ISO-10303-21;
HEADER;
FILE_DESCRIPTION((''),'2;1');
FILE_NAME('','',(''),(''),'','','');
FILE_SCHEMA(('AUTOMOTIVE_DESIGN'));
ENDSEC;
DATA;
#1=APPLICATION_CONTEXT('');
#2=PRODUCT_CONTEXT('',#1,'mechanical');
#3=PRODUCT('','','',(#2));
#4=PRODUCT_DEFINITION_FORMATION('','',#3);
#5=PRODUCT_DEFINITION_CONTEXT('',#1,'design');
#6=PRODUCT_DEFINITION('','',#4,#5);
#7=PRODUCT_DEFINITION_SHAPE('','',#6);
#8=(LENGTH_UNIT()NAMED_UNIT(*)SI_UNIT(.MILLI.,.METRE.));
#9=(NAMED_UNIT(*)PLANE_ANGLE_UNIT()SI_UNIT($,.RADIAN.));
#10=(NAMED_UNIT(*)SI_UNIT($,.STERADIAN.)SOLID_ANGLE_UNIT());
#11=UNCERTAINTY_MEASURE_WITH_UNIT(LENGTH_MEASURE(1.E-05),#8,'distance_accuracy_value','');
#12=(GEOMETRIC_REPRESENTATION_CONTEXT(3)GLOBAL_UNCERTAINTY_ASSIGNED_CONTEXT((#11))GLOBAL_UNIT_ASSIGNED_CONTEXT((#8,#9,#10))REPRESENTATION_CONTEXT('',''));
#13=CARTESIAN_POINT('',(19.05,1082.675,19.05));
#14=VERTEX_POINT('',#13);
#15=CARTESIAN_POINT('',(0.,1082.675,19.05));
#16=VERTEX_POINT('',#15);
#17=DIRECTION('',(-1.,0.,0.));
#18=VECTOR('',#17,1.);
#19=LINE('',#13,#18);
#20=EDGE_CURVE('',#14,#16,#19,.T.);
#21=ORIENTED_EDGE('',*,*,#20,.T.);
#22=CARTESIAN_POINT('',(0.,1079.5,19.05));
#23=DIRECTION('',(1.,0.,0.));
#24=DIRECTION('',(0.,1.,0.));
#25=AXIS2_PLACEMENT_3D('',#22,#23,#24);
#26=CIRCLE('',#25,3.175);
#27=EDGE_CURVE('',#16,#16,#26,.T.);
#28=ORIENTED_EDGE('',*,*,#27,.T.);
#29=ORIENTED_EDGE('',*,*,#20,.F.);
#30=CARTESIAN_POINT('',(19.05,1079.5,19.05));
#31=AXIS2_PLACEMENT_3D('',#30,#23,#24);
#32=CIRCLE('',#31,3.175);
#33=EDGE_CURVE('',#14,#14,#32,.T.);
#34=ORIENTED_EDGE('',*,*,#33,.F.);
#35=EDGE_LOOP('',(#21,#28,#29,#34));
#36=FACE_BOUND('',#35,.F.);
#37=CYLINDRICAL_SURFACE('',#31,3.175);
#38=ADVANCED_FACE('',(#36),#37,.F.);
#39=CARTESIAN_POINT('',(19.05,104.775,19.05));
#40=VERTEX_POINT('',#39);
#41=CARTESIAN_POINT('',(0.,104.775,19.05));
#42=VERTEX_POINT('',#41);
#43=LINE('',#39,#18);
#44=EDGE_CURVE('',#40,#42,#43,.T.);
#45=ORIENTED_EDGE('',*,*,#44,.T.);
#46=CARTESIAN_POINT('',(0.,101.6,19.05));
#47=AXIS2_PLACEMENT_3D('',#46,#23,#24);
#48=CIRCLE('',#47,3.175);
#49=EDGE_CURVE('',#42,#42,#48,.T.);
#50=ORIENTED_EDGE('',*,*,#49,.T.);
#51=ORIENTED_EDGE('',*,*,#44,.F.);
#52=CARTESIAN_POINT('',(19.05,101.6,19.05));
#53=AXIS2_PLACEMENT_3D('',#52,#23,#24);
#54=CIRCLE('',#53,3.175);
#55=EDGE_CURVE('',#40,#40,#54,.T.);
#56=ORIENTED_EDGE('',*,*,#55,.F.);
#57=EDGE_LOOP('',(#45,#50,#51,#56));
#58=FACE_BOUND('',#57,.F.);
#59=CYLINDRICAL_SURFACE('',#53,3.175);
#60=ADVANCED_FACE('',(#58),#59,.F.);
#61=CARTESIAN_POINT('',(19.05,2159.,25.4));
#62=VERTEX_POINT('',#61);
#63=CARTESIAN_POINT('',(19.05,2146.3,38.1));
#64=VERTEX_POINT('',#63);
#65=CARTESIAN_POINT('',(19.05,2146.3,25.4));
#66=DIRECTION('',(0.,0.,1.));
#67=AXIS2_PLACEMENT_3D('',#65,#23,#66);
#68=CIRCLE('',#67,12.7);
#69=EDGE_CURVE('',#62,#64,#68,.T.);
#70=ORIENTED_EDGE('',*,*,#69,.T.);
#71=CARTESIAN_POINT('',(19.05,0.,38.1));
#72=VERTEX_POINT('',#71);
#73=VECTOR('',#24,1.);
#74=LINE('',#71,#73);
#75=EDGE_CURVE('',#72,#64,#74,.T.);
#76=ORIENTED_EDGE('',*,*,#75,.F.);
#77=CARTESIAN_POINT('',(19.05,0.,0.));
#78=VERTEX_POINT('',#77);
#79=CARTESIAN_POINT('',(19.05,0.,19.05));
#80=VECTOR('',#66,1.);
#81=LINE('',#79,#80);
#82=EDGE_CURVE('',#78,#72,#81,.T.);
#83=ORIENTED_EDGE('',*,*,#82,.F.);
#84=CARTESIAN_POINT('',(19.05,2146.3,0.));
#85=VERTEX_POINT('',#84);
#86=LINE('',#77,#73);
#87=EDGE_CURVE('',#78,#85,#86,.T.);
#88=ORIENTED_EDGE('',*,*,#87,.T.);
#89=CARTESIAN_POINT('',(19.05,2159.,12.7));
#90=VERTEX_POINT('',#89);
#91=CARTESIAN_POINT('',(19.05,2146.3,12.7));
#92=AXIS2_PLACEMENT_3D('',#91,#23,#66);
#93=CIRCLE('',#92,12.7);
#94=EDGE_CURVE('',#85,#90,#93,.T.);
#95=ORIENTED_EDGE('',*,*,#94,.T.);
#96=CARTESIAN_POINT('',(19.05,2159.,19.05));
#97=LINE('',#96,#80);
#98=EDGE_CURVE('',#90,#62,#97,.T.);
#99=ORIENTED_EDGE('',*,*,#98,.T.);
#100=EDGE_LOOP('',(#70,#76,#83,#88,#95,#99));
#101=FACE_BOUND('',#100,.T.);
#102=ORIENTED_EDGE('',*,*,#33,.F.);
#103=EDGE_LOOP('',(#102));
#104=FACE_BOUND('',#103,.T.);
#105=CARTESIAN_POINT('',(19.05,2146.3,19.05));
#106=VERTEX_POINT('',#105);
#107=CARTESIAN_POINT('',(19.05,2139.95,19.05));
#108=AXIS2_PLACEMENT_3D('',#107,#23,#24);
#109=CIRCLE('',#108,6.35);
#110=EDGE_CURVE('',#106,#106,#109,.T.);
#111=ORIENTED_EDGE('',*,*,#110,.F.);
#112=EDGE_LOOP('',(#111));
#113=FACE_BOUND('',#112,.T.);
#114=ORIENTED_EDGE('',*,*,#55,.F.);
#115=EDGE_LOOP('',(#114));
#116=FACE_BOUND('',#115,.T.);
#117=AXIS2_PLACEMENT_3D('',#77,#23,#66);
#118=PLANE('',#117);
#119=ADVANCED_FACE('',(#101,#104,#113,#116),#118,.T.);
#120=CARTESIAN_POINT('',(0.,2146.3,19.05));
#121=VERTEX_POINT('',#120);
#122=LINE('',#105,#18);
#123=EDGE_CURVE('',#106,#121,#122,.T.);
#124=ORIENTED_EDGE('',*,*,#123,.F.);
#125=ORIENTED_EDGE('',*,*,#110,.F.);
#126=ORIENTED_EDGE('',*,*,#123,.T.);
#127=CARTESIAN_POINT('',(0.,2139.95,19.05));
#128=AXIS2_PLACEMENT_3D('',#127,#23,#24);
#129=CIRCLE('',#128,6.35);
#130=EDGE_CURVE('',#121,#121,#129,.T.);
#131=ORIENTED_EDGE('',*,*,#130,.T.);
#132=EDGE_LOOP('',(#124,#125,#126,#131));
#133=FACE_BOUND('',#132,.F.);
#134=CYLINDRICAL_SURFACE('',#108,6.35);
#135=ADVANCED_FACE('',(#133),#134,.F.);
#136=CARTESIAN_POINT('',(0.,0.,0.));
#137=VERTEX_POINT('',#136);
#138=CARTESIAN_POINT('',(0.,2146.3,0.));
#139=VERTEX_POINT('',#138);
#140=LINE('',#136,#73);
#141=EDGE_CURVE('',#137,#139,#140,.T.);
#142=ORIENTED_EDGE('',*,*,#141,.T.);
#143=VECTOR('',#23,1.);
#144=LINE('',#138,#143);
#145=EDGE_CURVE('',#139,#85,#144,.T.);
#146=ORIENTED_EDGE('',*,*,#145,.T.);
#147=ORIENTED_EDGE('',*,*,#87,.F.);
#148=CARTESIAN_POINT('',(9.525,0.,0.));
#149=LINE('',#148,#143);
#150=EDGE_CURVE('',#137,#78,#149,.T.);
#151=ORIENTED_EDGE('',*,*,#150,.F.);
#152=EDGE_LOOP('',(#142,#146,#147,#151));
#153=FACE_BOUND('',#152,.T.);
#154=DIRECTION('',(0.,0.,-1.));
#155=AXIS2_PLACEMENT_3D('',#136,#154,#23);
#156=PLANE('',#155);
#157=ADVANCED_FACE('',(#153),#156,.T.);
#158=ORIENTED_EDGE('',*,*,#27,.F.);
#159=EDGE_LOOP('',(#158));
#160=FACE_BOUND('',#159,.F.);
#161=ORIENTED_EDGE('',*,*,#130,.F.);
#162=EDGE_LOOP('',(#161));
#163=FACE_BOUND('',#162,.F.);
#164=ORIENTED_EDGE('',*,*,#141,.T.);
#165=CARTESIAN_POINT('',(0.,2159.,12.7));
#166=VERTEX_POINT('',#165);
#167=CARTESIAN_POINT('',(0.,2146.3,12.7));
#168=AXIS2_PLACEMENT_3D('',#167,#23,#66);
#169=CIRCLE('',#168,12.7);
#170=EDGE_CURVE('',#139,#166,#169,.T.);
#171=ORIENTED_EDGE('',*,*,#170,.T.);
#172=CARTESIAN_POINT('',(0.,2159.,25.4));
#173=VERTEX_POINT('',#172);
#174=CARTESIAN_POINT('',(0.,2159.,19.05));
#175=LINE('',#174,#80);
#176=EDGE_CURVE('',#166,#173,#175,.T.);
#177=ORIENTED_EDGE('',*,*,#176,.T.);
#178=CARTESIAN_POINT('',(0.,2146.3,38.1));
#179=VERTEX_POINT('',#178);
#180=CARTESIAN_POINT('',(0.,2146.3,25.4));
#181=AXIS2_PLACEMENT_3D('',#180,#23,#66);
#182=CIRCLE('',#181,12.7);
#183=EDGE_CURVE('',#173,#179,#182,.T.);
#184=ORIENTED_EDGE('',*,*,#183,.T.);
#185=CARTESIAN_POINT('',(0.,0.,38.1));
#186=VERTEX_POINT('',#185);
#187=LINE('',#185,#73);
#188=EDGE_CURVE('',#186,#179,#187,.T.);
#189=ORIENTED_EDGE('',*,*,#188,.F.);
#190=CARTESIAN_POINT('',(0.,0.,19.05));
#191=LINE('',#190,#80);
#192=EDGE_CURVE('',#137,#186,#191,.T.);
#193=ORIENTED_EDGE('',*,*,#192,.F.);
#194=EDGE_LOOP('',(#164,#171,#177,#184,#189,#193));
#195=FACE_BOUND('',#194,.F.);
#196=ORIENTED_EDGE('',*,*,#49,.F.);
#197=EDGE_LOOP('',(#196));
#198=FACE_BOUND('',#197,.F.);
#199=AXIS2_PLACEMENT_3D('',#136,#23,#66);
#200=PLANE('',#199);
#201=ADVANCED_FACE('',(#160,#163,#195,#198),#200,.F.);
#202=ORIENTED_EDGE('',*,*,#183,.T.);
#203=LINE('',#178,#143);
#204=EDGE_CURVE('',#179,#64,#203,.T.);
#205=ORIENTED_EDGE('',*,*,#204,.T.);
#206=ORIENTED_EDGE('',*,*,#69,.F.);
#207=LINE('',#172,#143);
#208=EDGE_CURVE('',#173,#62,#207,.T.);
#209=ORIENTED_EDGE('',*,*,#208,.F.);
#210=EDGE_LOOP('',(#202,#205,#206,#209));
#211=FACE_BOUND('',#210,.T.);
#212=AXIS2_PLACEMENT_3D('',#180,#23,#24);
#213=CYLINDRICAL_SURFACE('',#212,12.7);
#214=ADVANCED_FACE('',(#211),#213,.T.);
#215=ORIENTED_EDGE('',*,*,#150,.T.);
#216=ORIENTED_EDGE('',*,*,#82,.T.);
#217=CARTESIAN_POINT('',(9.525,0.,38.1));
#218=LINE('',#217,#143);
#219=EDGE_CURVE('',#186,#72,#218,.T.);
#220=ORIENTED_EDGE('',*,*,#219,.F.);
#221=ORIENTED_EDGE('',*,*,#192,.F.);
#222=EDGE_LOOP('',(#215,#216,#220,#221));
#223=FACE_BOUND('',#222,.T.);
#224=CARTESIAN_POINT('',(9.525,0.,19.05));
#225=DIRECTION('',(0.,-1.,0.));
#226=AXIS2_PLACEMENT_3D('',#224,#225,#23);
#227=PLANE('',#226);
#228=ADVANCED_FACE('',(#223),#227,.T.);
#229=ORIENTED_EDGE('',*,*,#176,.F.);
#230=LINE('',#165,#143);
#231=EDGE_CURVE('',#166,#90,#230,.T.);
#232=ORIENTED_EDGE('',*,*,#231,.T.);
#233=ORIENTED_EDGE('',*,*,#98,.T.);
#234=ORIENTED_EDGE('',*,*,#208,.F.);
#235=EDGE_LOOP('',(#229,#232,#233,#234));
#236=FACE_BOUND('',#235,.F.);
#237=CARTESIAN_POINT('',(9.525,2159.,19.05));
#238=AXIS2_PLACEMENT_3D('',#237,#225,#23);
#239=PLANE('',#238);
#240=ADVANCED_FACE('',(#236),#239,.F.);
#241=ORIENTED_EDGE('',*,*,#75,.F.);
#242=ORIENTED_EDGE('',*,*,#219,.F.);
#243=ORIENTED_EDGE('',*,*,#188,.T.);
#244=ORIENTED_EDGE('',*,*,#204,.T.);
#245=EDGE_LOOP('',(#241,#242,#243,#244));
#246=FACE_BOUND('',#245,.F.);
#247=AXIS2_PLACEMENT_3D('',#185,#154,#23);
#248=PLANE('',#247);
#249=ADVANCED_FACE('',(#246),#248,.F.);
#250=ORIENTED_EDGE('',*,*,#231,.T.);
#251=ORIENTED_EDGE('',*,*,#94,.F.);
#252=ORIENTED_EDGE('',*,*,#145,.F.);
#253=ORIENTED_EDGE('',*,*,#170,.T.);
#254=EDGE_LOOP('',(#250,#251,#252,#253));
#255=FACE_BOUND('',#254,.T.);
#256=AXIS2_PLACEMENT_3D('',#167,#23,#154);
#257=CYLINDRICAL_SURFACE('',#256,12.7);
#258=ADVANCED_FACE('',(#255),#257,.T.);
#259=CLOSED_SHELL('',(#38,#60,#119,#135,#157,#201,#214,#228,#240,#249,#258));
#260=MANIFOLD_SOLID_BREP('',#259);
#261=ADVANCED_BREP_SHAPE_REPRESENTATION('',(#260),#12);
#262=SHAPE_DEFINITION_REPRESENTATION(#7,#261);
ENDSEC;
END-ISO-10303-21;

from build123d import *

# Parameters (mm, degrees)
F0_W     = 19.05
F0_H     = 38.1
F1_DEPTH = 2159
F2_R     = 6.35
F2_R_2   = 3.175
F3_DEPTH = 19.051
F4_R     = 12.7


with BuildPart() as f1:
    # F0 (on Front) → F1 (new body)
    with BuildSketch(Plane.XZ):
        with Locations((9.525, 19.05)):
            Rectangle(F0_W, F0_H)
    extrude(amount=-F1_DEPTH)

    # F2 (on face) → F3 (cut, through all)
    with BuildSketch(Plane.YZ.offset(19.05)):
        with Locations((2139.95, 19.05)):
            Circle(F2_R)
        with Locations((1079.5, 19.05)):
            Circle(F2_R_2)
        with Locations((101.6, 19.05)):
            Circle(F2_R_2)
    extrude(amount=-F3_DEPTH, mode=Mode.SUBTRACT)

    # F4
    f4_edges = [f1.edges().sort_by_distance(p)[0] for p in [
        (9.525, 2159, 38.1),
        (9.525, 2159, 0),
    ]]
    fillet(f4_edges, radius=F4_R)


solid = f1.part
